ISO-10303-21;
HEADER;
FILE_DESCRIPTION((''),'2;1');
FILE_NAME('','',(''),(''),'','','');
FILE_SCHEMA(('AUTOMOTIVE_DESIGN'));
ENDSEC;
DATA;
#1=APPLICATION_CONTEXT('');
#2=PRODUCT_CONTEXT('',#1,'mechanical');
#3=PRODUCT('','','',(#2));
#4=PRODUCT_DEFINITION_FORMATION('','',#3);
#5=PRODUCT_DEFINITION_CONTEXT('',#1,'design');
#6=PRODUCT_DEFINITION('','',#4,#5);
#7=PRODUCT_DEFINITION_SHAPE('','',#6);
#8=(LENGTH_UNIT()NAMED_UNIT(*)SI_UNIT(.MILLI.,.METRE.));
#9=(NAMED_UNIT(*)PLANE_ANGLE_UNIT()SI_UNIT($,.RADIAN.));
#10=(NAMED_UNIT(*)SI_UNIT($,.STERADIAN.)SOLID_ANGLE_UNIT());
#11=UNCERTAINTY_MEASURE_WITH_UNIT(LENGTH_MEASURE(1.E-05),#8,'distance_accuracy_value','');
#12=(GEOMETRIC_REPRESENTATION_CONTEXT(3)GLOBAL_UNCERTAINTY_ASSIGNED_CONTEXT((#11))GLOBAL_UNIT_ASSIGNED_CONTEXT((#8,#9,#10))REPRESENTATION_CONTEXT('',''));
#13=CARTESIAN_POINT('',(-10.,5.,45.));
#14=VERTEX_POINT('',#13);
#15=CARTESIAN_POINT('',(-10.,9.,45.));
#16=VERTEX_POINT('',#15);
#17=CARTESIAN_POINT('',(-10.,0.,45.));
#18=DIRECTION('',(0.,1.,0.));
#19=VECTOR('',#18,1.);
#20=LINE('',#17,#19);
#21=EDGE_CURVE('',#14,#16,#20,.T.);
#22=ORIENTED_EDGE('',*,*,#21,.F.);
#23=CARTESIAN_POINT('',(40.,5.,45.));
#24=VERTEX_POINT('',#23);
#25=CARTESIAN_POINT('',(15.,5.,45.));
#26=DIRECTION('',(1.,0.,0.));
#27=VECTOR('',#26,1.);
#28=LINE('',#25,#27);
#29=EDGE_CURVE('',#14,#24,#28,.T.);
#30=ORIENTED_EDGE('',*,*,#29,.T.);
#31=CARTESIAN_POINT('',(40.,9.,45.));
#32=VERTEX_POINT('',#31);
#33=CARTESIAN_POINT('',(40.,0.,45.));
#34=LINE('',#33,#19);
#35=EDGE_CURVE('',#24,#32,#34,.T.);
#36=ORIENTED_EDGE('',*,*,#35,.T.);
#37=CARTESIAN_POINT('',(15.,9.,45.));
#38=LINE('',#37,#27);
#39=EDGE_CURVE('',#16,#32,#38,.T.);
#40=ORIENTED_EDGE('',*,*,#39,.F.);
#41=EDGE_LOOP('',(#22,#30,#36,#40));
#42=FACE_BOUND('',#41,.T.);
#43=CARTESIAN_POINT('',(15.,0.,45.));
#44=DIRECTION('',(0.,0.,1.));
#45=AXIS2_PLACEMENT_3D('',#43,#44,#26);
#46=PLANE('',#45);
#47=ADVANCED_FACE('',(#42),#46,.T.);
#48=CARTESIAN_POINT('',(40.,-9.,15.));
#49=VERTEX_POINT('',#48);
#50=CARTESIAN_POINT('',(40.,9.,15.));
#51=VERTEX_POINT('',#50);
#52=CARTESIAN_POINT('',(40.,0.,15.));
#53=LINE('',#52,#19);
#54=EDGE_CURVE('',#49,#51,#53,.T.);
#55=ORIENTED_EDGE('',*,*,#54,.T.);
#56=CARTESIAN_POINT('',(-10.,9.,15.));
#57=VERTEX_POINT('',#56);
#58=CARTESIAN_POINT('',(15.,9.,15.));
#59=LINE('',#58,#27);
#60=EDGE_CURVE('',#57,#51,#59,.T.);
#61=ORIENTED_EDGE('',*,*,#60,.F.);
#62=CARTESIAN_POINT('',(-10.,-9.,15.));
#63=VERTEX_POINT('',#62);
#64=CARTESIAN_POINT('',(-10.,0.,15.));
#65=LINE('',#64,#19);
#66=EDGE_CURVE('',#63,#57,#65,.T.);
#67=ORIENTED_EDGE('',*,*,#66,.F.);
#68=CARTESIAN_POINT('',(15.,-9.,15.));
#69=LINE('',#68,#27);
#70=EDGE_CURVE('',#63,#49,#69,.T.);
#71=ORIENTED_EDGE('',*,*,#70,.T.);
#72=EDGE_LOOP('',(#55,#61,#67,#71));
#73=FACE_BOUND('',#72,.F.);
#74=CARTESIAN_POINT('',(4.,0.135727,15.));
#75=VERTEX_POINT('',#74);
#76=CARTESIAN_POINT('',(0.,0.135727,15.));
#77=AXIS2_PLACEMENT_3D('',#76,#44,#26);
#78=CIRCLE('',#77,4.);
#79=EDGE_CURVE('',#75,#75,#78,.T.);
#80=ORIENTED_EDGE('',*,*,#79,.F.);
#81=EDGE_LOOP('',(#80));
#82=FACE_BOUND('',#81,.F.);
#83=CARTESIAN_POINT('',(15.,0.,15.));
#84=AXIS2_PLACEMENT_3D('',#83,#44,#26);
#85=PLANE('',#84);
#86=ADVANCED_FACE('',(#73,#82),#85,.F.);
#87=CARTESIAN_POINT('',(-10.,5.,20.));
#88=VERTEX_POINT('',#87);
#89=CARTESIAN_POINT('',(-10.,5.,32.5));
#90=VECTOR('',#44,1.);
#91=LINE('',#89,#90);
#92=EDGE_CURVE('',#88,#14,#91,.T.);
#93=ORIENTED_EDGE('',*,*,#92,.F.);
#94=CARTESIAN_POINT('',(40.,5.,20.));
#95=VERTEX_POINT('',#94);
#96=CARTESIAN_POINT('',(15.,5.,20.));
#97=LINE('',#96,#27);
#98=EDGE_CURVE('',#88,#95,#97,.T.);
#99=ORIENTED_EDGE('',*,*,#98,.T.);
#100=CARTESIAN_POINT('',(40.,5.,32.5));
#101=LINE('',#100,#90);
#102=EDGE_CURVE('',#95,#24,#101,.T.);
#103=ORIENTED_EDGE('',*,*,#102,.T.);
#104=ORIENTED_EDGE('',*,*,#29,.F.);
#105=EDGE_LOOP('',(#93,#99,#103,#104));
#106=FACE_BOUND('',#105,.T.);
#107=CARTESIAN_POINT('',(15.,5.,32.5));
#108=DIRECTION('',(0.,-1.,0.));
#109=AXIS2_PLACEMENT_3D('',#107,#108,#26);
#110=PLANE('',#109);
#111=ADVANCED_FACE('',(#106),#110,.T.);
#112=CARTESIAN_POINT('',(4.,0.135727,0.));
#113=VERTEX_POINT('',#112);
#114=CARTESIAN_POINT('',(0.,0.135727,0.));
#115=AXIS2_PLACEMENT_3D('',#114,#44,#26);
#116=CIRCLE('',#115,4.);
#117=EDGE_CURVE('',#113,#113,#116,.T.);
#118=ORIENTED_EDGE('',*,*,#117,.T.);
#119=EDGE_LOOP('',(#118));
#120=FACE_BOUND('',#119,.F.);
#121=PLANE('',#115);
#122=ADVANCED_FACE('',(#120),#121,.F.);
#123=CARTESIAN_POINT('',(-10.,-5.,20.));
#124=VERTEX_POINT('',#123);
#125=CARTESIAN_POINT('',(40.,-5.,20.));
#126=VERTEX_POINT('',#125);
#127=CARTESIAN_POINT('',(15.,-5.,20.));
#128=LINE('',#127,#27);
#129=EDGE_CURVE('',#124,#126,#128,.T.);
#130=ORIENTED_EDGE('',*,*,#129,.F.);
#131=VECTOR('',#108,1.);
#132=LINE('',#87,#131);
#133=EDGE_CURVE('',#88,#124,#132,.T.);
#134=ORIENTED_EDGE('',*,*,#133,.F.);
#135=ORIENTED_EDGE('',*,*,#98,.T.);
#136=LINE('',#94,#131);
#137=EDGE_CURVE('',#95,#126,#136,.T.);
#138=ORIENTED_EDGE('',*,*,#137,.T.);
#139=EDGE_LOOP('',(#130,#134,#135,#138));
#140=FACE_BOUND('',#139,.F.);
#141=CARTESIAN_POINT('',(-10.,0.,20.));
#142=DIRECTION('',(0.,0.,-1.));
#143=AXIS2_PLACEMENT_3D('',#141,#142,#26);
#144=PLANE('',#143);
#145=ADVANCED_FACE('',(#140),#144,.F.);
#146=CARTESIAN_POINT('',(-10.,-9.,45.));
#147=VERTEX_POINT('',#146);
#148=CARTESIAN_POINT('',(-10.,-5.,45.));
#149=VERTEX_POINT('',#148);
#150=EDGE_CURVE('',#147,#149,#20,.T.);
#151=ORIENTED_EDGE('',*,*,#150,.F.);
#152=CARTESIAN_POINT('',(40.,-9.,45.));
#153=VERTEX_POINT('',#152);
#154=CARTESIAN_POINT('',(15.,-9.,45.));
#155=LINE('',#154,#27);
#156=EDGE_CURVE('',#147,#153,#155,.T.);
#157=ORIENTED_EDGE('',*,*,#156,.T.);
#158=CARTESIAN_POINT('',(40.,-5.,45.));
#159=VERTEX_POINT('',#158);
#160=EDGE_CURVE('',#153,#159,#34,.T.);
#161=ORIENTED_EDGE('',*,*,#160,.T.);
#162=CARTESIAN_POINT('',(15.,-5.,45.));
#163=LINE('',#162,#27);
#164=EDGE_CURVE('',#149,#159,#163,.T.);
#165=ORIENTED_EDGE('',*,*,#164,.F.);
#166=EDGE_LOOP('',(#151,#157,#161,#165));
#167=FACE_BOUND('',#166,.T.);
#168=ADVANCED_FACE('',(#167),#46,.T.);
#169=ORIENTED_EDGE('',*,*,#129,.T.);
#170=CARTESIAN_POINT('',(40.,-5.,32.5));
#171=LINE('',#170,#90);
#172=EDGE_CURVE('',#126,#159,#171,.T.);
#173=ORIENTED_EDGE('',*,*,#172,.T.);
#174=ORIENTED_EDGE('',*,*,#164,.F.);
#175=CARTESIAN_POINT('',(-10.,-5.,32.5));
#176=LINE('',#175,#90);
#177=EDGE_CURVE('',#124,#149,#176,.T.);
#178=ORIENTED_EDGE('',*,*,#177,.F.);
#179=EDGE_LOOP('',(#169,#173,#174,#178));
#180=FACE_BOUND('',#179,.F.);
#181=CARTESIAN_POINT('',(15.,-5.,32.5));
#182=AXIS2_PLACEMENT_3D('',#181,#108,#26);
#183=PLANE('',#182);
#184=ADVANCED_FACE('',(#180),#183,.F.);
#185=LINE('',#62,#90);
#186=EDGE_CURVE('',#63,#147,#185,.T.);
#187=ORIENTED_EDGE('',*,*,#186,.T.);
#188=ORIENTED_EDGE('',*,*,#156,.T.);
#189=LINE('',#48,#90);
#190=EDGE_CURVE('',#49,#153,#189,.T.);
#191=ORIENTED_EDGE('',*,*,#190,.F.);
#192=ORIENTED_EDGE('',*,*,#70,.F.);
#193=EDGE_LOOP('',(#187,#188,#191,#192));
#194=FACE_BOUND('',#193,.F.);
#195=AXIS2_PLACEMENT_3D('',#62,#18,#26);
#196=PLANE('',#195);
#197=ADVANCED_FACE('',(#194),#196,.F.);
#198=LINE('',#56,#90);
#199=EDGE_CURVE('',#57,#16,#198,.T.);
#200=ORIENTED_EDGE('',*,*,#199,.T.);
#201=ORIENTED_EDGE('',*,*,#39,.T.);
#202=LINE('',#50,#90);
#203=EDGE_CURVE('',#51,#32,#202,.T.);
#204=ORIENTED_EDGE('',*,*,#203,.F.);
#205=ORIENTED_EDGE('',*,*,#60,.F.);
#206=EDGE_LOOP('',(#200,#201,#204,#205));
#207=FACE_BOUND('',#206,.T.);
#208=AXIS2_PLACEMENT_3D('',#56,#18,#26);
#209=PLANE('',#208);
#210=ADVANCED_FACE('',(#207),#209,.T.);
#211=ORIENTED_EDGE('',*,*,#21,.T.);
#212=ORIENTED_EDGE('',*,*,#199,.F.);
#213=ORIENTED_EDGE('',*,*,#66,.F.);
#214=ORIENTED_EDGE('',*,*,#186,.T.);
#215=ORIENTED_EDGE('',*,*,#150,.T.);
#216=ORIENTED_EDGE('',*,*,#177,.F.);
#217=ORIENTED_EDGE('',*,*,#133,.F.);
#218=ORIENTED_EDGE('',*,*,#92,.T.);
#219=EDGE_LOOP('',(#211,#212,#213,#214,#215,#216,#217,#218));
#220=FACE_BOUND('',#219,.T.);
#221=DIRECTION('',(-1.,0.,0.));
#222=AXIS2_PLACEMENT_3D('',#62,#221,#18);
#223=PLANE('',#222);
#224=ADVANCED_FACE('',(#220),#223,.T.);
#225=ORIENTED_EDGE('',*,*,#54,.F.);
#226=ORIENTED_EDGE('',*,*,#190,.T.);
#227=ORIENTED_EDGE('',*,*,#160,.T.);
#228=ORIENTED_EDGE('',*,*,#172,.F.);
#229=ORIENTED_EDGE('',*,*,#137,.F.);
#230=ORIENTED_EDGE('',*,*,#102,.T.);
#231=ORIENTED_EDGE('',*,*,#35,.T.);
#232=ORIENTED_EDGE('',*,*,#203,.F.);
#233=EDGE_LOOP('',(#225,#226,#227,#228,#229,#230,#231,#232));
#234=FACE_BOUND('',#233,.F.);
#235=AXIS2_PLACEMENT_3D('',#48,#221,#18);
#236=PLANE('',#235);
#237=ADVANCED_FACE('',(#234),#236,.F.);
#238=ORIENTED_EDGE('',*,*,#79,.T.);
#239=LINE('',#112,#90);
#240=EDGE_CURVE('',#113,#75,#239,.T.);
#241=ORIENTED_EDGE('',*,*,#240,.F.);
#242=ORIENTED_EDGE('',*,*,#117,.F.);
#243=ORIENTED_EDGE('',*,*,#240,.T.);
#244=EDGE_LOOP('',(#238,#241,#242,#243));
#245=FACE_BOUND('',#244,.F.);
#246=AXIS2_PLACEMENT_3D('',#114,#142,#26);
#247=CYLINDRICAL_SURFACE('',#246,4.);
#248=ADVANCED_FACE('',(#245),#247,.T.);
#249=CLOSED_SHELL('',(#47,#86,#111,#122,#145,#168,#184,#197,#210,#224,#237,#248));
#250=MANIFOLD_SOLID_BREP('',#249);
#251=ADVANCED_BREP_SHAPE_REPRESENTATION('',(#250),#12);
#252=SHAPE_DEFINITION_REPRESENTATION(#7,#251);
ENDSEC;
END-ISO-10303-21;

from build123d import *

# Parameters (mm, degrees)
F0_R     = 4
F1_DEPTH = 15
F2_W     = 50
F2_H     = 18
F2_R     = 4
F3_DEPTH = 30
F4_W     = 50
F4_H     = 25
F5_DEPTH = 5


with BuildPart() as f1:
    # F0 (on Top) → F1 (new body)
    with BuildSketch(Plane.XY):
        with Locations((0, 0.135727)):
            Circle(F0_R)
    extrude(amount=F1_DEPTH)

    # F2 (on face) → F3 (join)
    with BuildSketch(Plane.XY.offset(15)):
        with Locations((15, 0)):
            Rectangle(F2_W, F2_H)
        with Locations((0, 0.135727)):
            Circle(F2_R, mode=Mode.SUBTRACT)
        with Locations((0, 0.135727)):
            Circle(F2_R)
    extrude(amount=F3_DEPTH)

    # F4 (on Front) → F5 (cut, symmetric)
    with BuildSketch(Plane.XZ):
        with Locations((15, 32.5)):
            Rectangle(F4_W, F4_H)
    extrude(amount=F5_DEPTH, both=True, mode=Mode.SUBTRACT)


solid = f1.part
